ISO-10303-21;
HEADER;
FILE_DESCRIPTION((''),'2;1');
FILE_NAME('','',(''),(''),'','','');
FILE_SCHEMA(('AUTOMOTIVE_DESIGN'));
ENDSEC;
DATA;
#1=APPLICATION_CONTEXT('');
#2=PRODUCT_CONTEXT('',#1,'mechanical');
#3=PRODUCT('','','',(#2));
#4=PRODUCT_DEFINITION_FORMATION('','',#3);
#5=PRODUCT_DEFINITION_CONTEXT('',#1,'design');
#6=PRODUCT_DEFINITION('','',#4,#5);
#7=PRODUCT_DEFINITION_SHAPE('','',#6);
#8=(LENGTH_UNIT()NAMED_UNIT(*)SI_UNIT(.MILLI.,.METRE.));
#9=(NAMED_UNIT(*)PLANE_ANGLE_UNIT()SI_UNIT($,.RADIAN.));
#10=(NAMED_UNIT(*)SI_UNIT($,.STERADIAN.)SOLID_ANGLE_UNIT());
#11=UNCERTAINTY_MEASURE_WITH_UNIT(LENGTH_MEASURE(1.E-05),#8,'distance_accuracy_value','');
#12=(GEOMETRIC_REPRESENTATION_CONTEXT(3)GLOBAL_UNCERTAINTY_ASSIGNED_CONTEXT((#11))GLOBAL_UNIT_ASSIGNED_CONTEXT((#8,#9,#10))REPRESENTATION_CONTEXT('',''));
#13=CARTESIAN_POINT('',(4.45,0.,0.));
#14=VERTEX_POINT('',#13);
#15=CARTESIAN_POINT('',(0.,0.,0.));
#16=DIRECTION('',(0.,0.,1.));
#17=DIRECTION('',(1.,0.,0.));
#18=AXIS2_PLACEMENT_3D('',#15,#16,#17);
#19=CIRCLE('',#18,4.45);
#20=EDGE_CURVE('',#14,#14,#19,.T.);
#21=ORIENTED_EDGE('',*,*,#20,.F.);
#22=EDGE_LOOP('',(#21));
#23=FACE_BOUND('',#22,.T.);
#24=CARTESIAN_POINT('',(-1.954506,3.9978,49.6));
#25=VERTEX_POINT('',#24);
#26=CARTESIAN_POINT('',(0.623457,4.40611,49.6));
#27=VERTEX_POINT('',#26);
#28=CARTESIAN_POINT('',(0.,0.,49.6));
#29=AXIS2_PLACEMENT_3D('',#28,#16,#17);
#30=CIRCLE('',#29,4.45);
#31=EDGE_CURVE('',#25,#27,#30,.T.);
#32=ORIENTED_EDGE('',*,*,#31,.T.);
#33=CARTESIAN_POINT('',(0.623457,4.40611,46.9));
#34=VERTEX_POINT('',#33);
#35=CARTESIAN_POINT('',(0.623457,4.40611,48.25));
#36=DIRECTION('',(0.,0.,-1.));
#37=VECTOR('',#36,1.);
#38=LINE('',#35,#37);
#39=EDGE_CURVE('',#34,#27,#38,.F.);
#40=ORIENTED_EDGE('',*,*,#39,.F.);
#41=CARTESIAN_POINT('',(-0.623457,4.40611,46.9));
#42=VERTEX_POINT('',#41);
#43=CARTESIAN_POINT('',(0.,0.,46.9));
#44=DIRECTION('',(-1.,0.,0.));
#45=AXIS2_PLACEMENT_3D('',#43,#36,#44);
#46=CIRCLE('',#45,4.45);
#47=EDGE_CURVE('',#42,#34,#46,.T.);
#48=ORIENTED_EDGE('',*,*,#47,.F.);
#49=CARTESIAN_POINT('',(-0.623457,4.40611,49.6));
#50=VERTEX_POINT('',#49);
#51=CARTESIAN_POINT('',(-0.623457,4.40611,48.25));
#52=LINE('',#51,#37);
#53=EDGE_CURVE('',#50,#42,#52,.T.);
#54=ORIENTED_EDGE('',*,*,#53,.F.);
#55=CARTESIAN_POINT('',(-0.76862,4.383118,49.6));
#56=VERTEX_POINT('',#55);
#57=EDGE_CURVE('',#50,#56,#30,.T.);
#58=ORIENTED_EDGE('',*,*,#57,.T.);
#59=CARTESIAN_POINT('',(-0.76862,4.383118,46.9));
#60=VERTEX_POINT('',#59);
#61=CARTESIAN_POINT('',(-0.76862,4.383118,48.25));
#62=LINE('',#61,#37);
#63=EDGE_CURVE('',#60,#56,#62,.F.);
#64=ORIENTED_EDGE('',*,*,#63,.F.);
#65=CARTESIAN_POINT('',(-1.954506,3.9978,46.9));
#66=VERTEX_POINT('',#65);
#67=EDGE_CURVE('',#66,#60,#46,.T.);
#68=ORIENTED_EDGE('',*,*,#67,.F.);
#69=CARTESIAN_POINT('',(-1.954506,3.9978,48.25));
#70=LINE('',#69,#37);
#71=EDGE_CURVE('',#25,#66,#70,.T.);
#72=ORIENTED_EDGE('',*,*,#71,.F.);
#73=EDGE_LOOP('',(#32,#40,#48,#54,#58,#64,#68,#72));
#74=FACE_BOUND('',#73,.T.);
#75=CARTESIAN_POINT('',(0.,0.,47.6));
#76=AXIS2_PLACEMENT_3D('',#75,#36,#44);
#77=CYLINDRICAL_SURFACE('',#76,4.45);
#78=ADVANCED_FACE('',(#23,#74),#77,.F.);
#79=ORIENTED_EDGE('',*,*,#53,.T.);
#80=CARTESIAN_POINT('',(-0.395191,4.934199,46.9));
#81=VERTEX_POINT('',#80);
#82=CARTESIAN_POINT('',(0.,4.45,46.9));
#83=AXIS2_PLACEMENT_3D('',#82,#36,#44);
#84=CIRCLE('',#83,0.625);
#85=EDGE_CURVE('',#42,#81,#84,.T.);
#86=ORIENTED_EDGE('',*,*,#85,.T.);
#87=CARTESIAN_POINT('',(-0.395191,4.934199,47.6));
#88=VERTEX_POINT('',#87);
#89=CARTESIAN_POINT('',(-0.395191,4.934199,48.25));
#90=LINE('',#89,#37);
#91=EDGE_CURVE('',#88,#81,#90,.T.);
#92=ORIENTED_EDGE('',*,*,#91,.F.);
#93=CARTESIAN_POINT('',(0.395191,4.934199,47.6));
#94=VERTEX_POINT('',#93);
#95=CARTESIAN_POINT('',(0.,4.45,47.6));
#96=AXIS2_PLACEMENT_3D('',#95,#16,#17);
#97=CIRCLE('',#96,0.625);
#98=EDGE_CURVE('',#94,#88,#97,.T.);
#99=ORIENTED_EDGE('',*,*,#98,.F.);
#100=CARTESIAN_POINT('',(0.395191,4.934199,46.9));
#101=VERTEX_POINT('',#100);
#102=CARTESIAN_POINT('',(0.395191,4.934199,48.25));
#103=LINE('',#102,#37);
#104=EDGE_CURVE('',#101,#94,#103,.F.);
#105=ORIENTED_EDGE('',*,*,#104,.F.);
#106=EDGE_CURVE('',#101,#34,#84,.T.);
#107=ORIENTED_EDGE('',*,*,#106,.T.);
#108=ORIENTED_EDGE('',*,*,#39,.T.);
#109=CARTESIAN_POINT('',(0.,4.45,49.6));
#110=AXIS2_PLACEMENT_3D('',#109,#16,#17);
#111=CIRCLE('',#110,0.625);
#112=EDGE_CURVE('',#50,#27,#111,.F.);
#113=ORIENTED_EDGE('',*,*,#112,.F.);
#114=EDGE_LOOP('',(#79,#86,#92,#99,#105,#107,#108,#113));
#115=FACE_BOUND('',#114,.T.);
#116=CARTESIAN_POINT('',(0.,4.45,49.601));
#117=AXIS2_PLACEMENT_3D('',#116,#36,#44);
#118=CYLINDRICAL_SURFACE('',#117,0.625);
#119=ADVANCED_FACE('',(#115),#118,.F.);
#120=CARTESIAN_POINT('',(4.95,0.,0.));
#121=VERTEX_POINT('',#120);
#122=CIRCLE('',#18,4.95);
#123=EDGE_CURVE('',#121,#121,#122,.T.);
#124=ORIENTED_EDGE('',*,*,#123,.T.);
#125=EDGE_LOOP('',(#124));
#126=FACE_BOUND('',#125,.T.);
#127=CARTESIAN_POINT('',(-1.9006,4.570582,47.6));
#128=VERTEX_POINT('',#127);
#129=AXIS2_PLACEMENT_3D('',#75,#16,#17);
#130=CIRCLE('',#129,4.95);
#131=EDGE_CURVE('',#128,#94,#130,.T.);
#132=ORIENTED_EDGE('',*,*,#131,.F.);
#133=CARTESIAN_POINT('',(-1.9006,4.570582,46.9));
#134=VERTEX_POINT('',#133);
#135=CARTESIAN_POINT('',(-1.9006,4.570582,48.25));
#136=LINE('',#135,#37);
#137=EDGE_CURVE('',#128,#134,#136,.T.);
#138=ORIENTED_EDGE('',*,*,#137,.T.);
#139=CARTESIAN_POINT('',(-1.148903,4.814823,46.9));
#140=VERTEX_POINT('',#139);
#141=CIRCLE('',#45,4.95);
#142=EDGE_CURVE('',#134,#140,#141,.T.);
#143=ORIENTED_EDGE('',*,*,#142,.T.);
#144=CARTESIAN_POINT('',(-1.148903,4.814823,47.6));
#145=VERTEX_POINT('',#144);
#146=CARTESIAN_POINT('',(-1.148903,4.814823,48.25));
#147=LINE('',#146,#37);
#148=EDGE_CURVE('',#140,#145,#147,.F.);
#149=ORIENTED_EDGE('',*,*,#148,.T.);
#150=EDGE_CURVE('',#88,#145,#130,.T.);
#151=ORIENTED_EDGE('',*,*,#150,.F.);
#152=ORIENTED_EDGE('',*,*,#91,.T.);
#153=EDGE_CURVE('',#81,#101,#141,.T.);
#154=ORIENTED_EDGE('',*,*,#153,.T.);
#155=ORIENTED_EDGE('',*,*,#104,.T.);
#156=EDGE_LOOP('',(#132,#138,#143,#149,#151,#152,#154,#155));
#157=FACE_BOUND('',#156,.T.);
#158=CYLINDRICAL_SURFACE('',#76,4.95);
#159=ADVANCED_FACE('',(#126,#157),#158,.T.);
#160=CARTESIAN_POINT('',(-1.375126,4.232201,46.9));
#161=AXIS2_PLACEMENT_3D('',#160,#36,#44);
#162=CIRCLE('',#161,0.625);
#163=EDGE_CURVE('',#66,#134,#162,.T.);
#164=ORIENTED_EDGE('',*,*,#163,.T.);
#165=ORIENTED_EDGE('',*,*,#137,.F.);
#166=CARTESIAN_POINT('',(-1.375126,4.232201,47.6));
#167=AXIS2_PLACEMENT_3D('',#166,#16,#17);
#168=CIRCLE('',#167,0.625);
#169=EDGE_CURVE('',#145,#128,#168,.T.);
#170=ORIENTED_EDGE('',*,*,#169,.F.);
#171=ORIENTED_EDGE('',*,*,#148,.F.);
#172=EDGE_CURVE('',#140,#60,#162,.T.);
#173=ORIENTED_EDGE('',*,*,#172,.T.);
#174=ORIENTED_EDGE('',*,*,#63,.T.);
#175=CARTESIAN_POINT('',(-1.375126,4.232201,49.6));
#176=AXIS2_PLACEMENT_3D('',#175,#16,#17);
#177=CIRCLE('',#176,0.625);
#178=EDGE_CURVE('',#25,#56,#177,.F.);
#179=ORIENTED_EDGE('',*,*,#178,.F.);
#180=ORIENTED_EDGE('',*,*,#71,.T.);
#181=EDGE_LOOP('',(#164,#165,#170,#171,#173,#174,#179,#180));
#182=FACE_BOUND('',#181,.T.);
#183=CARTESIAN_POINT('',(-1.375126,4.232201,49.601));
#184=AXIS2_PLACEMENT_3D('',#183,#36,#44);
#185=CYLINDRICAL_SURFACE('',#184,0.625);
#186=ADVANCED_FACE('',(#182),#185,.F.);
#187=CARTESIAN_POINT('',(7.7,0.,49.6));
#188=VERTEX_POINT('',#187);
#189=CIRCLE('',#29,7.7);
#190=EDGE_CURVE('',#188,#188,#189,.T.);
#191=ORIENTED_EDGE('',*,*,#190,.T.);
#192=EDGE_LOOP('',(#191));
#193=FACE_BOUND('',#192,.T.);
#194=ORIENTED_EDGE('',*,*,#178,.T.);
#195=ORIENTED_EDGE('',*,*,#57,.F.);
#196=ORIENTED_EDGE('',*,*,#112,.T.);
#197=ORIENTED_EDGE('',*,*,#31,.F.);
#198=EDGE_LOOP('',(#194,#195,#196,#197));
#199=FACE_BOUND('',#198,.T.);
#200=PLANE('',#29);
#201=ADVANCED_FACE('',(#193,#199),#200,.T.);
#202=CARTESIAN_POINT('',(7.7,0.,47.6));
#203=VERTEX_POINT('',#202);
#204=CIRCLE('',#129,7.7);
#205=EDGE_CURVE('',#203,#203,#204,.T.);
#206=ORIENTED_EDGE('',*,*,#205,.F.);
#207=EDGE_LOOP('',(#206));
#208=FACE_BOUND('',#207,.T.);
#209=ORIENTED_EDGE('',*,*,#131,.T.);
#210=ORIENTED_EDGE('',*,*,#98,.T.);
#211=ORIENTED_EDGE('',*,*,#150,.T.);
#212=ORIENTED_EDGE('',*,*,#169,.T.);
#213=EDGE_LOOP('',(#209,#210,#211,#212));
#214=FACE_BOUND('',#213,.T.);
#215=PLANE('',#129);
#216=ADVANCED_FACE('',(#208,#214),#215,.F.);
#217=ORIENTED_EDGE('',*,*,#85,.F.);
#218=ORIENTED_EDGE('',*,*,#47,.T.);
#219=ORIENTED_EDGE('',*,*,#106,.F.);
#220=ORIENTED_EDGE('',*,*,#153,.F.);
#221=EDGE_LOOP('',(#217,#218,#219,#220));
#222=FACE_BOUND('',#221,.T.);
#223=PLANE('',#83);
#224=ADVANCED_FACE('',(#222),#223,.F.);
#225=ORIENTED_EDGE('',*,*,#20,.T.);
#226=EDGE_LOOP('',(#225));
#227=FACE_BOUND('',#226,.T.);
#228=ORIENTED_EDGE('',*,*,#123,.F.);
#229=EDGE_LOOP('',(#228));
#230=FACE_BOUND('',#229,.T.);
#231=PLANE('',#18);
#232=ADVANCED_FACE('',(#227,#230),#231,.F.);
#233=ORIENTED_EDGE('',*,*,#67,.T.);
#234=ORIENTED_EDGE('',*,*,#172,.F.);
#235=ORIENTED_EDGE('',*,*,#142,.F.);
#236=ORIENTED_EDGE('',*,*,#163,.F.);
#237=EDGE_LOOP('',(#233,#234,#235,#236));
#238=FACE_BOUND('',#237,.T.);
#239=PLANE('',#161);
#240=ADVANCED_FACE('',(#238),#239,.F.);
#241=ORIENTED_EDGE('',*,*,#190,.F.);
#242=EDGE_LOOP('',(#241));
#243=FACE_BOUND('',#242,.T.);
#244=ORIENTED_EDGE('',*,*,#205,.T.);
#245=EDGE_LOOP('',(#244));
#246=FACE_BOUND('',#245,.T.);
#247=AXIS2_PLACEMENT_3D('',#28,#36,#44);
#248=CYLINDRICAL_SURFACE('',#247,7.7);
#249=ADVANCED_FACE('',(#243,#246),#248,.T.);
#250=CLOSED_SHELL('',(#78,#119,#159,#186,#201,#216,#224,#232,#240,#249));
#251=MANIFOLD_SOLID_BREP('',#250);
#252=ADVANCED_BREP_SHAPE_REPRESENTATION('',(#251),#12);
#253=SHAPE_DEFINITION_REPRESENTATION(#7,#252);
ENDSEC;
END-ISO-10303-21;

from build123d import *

# Parameters (mm, degrees)
SKETCH1_R                      = 4.95
SKETCH1_R_2                    = 4.45
BOSS_EXTRUDE1_DEPTH            = 47.6
SKETCH5_R                      = 7.7
SKETCH5_R_2                    = 4.45
BOSS_EXTRUDE3_DEPTH            = 2
SKETCH2_R                      = 0.625
CUT_EXTRUDE1_DEPTH             = 0.7
CUT_EXTRUDE1_DIRECTION_2_REACH = 4


with BuildPart() as part:
    # Sketch1 → Boss-Extrude1 (new body)
    with BuildSketch(Plane.XY):
        Circle(SKETCH1_R)
        Circle(SKETCH1_R_2, mode=Mode.SUBTRACT)
    extrude(amount=BOSS_EXTRUDE1_DEPTH)

    # Sketch5 → Boss-Extrude3 (add)
    with BuildSketch(Plane.XY.offset(47.6)):
        Circle(SKETCH5_R)
        Circle(SKETCH5_R_2, mode=Mode.SUBTRACT)
    extrude(amount=BOSS_EXTRUDE3_DEPTH)

    # Sketch2 → Cut-Extrude1 (cut)
    with BuildSketch(Plane(origin=(0, 0, 47.6), x_dir=(-1, 0, 0), z_dir=(0, 0, -1))):
        with Locations((0, 4.45)):
            Circle(SKETCH2_R)
        with Locations((1.375125625, 4.232201498)):
            Circle(SKETCH2_R)
    extrude(amount=CUT_EXTRUDE1_DEPTH, mode=Mode.SUBTRACT)

    # Sketch2 → Cut-Extrude1 direction 2 (cut, up to next)
    with BuildSketch(Plane(origin=(0, 0, 47.6), x_dir=(-1, 0, 0), z_dir=(0, 0, -1)), mode=Mode.PRIVATE) as cut_extrude1_direction_2_sk1:
        with Locations((0, 4.45)):
            Circle(SKETCH2_R)
    cut_extrude1_direction_2_tool1 = extrude(cut_extrude1_direction_2_sk1.sketch, amount=-CUT_EXTRUDE1_DIRECTION_2_REACH, mode=Mode.PRIVATE) & part.part
    add(cut_extrude1_direction_2_tool1.solids().sort_by_distance((0, 4.45, 47.6))[0], mode=Mode.SUBTRACT)
    # Sketch2 → Cut-Extrude1 direction 2 (cut, up to next)
    with BuildSketch(Plane(origin=(0, 0, 47.6), x_dir=(-1, 0, 0), z_dir=(0, 0, -1)), mode=Mode.PRIVATE) as cut_extrude1_direction_2_sk2:
        with Locations((1.375125625, 4.232201498)):
            Circle(SKETCH2_R)
    cut_extrude1_direction_2_tool2 = extrude(cut_extrude1_direction_2_sk2.sketch, amount=-CUT_EXTRUDE1_DIRECTION_2_REACH, mode=Mode.PRIVATE) & part.part
    add(cut_extrude1_direction_2_tool2.solids().sort_by_distance((-1.375126, 4.232201, 47.6))[0], mode=Mode.SUBTRACT)


solid = part.part
